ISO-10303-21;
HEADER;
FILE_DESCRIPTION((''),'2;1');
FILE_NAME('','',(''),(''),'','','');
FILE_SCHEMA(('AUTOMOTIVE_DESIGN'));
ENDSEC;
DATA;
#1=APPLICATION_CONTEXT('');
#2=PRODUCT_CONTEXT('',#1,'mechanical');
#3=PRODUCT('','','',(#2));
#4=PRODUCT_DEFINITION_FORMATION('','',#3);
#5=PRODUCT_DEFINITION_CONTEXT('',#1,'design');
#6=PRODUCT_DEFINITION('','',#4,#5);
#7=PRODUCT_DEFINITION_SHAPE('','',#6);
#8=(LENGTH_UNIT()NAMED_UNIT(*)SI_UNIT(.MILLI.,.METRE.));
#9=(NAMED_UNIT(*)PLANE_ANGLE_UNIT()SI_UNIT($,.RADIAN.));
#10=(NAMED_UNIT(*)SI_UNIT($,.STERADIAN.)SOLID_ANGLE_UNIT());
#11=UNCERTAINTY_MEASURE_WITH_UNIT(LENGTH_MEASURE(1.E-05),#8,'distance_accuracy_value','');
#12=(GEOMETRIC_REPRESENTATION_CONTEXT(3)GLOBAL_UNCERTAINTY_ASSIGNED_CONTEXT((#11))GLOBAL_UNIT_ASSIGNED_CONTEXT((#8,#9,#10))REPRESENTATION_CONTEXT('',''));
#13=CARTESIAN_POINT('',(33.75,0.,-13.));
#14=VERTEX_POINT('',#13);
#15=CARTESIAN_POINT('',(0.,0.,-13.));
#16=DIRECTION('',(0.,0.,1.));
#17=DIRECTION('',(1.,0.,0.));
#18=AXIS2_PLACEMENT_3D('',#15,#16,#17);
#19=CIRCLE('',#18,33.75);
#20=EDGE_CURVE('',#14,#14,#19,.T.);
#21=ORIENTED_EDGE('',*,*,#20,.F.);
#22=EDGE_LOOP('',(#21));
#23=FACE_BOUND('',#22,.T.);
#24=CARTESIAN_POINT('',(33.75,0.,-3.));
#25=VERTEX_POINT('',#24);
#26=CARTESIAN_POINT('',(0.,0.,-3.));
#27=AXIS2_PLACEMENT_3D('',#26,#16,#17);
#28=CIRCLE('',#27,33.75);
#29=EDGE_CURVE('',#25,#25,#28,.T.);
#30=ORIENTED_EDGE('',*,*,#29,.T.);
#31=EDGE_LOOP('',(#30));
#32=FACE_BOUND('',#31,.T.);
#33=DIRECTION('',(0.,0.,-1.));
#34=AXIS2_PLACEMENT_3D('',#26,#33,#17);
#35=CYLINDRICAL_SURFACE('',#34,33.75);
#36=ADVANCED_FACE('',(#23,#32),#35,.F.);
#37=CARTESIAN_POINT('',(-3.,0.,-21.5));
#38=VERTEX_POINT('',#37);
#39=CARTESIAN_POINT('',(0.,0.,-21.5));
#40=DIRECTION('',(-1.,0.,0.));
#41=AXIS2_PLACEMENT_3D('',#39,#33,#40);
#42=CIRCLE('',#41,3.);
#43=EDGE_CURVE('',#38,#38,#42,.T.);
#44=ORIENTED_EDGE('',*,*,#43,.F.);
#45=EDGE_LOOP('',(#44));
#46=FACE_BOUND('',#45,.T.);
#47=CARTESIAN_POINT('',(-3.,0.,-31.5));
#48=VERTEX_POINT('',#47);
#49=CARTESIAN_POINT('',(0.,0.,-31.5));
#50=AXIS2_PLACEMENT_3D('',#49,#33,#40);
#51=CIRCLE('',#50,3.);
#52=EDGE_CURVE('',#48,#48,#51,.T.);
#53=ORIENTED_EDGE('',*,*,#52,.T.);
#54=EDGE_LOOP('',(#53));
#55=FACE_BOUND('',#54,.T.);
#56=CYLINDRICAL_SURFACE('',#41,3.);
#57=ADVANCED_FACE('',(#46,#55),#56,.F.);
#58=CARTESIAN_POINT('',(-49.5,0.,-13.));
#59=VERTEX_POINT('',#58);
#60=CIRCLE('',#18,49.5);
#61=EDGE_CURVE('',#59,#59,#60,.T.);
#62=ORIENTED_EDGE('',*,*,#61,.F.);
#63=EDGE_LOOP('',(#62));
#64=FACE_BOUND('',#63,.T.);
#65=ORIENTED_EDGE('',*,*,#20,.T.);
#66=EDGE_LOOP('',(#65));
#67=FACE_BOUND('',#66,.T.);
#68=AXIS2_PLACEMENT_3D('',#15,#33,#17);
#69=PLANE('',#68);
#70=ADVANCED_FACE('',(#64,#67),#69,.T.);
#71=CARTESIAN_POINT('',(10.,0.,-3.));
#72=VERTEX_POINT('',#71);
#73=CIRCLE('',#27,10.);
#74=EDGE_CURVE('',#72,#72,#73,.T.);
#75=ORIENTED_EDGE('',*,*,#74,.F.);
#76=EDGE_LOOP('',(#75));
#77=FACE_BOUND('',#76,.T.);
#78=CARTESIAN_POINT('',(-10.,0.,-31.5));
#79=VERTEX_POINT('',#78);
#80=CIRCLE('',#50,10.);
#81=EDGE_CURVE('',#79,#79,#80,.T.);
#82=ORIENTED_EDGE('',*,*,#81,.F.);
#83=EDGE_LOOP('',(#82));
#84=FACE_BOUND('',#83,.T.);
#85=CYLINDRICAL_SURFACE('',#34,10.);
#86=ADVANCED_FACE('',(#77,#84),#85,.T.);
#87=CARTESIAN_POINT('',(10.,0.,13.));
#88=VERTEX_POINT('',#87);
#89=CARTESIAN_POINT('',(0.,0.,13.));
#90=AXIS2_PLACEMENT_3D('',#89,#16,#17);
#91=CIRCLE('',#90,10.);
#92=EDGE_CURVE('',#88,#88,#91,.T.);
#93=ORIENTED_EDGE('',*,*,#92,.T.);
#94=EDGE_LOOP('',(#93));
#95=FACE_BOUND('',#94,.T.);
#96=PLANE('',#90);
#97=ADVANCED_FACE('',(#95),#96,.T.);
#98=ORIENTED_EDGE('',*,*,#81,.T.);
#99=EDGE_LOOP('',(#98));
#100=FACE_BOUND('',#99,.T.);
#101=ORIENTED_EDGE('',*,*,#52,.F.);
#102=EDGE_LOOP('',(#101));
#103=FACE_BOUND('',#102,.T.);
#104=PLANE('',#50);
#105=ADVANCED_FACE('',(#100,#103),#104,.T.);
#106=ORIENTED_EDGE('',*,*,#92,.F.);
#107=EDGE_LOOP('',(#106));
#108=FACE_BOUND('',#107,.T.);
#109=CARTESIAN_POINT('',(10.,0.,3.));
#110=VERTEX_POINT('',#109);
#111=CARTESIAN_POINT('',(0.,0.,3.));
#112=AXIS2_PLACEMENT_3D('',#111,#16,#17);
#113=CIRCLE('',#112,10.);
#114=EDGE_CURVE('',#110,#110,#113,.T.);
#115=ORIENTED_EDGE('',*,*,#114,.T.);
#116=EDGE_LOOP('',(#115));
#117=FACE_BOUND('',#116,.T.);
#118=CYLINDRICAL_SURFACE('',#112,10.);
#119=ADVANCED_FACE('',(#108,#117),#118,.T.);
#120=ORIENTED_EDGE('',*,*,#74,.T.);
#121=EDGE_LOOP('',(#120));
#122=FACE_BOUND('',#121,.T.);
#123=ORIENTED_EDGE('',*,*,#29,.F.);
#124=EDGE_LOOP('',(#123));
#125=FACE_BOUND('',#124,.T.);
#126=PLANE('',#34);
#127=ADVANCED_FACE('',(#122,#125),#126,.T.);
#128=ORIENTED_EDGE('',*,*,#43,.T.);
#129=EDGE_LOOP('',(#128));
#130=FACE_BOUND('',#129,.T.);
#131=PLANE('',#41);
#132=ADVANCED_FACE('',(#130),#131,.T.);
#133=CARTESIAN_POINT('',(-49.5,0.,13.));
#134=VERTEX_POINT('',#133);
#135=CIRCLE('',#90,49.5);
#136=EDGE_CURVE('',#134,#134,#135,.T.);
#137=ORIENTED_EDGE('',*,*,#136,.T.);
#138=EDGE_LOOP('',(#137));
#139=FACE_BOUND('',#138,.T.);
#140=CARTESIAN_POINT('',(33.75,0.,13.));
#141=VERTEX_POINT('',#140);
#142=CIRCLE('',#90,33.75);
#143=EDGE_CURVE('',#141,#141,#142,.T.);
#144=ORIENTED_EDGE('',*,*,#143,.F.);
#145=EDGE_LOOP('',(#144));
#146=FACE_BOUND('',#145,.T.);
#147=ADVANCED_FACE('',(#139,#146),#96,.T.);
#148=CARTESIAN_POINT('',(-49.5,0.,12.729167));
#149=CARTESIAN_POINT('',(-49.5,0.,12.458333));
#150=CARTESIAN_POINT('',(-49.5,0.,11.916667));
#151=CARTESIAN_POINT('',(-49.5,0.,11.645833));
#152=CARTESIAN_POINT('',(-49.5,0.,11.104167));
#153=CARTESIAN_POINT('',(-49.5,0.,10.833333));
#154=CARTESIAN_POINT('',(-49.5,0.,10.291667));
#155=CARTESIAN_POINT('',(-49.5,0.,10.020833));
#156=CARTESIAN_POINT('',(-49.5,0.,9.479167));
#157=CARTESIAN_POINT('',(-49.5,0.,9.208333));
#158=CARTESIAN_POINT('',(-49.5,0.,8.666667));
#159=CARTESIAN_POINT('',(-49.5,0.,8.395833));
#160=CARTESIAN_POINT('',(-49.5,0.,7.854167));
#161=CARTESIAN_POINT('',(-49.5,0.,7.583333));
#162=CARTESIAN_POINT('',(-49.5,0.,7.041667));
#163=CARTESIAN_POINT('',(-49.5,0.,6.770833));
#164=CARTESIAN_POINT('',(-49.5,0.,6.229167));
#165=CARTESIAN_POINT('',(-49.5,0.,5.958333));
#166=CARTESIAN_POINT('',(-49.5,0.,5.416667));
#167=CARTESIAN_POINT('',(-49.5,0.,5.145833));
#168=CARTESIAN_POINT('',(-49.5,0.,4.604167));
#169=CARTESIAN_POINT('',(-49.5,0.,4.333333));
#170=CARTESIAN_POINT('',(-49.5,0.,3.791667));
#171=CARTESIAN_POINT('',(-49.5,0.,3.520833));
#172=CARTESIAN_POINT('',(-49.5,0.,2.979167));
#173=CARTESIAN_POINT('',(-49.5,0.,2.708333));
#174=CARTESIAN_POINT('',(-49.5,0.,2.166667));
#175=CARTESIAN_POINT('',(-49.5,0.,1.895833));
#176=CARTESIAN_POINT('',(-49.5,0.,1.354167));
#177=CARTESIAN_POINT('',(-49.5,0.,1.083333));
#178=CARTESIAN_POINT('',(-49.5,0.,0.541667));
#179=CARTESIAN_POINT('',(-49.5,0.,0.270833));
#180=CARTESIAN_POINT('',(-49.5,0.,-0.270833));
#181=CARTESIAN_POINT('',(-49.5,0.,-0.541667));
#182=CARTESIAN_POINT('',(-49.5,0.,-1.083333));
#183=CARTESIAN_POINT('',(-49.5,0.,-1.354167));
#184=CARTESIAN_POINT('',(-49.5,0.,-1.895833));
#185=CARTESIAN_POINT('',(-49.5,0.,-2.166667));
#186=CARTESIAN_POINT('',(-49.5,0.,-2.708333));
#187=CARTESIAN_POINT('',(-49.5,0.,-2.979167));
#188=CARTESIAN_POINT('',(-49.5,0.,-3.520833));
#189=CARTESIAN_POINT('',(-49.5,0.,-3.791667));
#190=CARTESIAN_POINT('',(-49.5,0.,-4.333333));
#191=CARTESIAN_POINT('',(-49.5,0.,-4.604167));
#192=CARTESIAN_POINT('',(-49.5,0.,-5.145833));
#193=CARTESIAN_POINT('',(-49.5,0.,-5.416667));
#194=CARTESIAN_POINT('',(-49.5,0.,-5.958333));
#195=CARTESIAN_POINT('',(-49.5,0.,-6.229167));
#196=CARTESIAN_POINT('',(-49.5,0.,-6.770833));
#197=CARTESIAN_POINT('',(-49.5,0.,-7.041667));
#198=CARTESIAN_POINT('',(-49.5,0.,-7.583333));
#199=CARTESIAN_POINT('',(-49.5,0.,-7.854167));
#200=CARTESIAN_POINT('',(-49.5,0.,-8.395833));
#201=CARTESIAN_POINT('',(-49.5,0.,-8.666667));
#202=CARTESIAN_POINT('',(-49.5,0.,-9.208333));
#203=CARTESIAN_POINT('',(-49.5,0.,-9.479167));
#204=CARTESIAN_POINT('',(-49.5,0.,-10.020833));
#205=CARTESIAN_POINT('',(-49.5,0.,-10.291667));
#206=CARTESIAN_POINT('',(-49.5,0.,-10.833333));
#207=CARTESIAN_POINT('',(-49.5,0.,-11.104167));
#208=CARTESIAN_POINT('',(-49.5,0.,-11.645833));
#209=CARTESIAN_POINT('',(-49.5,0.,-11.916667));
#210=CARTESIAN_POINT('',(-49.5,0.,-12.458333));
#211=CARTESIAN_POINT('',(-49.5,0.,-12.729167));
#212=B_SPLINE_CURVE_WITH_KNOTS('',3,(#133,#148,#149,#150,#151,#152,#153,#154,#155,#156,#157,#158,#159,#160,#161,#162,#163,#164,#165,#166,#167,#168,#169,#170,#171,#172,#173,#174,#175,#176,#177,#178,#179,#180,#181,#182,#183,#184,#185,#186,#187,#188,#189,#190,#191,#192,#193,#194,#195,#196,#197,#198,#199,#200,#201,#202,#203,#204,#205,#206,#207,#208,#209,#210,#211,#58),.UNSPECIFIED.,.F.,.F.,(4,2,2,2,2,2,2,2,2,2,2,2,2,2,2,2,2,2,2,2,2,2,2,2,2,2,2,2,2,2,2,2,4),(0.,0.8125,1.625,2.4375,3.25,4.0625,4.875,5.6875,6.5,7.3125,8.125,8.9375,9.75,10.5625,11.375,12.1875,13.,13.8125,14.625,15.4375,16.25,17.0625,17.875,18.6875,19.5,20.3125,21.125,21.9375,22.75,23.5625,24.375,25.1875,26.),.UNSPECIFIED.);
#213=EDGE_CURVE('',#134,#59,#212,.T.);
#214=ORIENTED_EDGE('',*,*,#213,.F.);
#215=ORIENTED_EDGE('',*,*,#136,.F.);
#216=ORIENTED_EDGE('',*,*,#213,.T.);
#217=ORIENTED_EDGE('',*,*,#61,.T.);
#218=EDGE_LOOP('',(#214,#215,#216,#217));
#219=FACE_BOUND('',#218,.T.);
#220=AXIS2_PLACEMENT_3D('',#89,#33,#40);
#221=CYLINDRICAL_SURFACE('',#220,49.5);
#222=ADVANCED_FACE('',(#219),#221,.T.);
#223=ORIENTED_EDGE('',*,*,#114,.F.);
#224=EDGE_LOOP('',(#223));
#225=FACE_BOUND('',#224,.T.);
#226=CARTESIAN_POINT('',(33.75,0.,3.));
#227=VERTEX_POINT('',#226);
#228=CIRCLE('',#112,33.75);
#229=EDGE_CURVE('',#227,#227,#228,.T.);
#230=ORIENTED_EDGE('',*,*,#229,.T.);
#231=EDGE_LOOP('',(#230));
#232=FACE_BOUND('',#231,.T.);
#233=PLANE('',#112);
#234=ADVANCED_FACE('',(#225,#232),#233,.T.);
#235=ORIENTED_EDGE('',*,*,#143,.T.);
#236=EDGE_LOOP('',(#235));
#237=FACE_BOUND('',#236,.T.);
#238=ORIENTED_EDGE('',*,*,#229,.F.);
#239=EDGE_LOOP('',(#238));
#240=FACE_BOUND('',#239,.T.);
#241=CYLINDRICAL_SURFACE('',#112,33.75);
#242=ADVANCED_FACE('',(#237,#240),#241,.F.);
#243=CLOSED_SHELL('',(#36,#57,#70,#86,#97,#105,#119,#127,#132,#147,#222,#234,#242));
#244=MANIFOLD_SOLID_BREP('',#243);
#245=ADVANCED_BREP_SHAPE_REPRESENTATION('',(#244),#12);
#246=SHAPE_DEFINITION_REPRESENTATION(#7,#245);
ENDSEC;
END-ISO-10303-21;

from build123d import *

# Parameters (mm, degrees)
ESQUISSE1_R             = 49.5
BOSS_EXTRU_2_DEPTH      = 13
ESQUISSE5_R             = 33.75
ESQUISSE5_R_2           = 10
ENL_V_MAT_EXTRU_1_DEPTH = 10
ESQUISSE12_R            = 10
BOSS_EXTRU_3_DEPTH      = 18.5
ESQUISSE13_R            = 3
ENL_V_MAT_EXTRU_2_DEPTH = 10


with BuildPart() as part:
    # Esquisse1 → Boss.-Extru.2 (new body)
    with BuildSketch(Plane.XY):
        with Locations(Location((0, 0, 0), (0, 0, 180))):
            Circle(ESQUISSE1_R)
    extrude(amount=BOSS_EXTRU_2_DEPTH)

    # Esquisse5 → Enlèv. mat.-Extru.1 (cut)
    with BuildSketch(Plane.XY.offset(13)):
        Circle(ESQUISSE5_R)
        Circle(ESQUISSE5_R_2, mode=Mode.SUBTRACT)
    extrude(amount=-ENL_V_MAT_EXTRU_1_DEPTH, mode=Mode.SUBTRACT)

    # Symétrie6: part across plane


with BuildPart() as part_1:
    add(part.part)
    add(part.part.mirror(Plane.XY))

    # Esquisse12 → Boss.-Extru.3 (add)
    with BuildSketch(Plane(origin=(0, 0, -13), x_dir=(-1, 0, 0), z_dir=(0, 0, -1))):
        with Locations(Location((0, 0, 0), (0, 0, 180))):
            Circle(ESQUISSE12_R)
    extrude(amount=BOSS_EXTRU_3_DEPTH)

    # Esquisse13 → Enlèv. mat.-Extru.2 (cut)
    with BuildSketch(Plane(origin=(0, 0, -31.5), x_dir=(-1, 0, 0), z_dir=(0, 0, -1))):
        Circle(ESQUISSE13_R)
    extrude(amount=-ENL_V_MAT_EXTRU_2_DEPTH, mode=Mode.SUBTRACT)


solid = part_1.part
